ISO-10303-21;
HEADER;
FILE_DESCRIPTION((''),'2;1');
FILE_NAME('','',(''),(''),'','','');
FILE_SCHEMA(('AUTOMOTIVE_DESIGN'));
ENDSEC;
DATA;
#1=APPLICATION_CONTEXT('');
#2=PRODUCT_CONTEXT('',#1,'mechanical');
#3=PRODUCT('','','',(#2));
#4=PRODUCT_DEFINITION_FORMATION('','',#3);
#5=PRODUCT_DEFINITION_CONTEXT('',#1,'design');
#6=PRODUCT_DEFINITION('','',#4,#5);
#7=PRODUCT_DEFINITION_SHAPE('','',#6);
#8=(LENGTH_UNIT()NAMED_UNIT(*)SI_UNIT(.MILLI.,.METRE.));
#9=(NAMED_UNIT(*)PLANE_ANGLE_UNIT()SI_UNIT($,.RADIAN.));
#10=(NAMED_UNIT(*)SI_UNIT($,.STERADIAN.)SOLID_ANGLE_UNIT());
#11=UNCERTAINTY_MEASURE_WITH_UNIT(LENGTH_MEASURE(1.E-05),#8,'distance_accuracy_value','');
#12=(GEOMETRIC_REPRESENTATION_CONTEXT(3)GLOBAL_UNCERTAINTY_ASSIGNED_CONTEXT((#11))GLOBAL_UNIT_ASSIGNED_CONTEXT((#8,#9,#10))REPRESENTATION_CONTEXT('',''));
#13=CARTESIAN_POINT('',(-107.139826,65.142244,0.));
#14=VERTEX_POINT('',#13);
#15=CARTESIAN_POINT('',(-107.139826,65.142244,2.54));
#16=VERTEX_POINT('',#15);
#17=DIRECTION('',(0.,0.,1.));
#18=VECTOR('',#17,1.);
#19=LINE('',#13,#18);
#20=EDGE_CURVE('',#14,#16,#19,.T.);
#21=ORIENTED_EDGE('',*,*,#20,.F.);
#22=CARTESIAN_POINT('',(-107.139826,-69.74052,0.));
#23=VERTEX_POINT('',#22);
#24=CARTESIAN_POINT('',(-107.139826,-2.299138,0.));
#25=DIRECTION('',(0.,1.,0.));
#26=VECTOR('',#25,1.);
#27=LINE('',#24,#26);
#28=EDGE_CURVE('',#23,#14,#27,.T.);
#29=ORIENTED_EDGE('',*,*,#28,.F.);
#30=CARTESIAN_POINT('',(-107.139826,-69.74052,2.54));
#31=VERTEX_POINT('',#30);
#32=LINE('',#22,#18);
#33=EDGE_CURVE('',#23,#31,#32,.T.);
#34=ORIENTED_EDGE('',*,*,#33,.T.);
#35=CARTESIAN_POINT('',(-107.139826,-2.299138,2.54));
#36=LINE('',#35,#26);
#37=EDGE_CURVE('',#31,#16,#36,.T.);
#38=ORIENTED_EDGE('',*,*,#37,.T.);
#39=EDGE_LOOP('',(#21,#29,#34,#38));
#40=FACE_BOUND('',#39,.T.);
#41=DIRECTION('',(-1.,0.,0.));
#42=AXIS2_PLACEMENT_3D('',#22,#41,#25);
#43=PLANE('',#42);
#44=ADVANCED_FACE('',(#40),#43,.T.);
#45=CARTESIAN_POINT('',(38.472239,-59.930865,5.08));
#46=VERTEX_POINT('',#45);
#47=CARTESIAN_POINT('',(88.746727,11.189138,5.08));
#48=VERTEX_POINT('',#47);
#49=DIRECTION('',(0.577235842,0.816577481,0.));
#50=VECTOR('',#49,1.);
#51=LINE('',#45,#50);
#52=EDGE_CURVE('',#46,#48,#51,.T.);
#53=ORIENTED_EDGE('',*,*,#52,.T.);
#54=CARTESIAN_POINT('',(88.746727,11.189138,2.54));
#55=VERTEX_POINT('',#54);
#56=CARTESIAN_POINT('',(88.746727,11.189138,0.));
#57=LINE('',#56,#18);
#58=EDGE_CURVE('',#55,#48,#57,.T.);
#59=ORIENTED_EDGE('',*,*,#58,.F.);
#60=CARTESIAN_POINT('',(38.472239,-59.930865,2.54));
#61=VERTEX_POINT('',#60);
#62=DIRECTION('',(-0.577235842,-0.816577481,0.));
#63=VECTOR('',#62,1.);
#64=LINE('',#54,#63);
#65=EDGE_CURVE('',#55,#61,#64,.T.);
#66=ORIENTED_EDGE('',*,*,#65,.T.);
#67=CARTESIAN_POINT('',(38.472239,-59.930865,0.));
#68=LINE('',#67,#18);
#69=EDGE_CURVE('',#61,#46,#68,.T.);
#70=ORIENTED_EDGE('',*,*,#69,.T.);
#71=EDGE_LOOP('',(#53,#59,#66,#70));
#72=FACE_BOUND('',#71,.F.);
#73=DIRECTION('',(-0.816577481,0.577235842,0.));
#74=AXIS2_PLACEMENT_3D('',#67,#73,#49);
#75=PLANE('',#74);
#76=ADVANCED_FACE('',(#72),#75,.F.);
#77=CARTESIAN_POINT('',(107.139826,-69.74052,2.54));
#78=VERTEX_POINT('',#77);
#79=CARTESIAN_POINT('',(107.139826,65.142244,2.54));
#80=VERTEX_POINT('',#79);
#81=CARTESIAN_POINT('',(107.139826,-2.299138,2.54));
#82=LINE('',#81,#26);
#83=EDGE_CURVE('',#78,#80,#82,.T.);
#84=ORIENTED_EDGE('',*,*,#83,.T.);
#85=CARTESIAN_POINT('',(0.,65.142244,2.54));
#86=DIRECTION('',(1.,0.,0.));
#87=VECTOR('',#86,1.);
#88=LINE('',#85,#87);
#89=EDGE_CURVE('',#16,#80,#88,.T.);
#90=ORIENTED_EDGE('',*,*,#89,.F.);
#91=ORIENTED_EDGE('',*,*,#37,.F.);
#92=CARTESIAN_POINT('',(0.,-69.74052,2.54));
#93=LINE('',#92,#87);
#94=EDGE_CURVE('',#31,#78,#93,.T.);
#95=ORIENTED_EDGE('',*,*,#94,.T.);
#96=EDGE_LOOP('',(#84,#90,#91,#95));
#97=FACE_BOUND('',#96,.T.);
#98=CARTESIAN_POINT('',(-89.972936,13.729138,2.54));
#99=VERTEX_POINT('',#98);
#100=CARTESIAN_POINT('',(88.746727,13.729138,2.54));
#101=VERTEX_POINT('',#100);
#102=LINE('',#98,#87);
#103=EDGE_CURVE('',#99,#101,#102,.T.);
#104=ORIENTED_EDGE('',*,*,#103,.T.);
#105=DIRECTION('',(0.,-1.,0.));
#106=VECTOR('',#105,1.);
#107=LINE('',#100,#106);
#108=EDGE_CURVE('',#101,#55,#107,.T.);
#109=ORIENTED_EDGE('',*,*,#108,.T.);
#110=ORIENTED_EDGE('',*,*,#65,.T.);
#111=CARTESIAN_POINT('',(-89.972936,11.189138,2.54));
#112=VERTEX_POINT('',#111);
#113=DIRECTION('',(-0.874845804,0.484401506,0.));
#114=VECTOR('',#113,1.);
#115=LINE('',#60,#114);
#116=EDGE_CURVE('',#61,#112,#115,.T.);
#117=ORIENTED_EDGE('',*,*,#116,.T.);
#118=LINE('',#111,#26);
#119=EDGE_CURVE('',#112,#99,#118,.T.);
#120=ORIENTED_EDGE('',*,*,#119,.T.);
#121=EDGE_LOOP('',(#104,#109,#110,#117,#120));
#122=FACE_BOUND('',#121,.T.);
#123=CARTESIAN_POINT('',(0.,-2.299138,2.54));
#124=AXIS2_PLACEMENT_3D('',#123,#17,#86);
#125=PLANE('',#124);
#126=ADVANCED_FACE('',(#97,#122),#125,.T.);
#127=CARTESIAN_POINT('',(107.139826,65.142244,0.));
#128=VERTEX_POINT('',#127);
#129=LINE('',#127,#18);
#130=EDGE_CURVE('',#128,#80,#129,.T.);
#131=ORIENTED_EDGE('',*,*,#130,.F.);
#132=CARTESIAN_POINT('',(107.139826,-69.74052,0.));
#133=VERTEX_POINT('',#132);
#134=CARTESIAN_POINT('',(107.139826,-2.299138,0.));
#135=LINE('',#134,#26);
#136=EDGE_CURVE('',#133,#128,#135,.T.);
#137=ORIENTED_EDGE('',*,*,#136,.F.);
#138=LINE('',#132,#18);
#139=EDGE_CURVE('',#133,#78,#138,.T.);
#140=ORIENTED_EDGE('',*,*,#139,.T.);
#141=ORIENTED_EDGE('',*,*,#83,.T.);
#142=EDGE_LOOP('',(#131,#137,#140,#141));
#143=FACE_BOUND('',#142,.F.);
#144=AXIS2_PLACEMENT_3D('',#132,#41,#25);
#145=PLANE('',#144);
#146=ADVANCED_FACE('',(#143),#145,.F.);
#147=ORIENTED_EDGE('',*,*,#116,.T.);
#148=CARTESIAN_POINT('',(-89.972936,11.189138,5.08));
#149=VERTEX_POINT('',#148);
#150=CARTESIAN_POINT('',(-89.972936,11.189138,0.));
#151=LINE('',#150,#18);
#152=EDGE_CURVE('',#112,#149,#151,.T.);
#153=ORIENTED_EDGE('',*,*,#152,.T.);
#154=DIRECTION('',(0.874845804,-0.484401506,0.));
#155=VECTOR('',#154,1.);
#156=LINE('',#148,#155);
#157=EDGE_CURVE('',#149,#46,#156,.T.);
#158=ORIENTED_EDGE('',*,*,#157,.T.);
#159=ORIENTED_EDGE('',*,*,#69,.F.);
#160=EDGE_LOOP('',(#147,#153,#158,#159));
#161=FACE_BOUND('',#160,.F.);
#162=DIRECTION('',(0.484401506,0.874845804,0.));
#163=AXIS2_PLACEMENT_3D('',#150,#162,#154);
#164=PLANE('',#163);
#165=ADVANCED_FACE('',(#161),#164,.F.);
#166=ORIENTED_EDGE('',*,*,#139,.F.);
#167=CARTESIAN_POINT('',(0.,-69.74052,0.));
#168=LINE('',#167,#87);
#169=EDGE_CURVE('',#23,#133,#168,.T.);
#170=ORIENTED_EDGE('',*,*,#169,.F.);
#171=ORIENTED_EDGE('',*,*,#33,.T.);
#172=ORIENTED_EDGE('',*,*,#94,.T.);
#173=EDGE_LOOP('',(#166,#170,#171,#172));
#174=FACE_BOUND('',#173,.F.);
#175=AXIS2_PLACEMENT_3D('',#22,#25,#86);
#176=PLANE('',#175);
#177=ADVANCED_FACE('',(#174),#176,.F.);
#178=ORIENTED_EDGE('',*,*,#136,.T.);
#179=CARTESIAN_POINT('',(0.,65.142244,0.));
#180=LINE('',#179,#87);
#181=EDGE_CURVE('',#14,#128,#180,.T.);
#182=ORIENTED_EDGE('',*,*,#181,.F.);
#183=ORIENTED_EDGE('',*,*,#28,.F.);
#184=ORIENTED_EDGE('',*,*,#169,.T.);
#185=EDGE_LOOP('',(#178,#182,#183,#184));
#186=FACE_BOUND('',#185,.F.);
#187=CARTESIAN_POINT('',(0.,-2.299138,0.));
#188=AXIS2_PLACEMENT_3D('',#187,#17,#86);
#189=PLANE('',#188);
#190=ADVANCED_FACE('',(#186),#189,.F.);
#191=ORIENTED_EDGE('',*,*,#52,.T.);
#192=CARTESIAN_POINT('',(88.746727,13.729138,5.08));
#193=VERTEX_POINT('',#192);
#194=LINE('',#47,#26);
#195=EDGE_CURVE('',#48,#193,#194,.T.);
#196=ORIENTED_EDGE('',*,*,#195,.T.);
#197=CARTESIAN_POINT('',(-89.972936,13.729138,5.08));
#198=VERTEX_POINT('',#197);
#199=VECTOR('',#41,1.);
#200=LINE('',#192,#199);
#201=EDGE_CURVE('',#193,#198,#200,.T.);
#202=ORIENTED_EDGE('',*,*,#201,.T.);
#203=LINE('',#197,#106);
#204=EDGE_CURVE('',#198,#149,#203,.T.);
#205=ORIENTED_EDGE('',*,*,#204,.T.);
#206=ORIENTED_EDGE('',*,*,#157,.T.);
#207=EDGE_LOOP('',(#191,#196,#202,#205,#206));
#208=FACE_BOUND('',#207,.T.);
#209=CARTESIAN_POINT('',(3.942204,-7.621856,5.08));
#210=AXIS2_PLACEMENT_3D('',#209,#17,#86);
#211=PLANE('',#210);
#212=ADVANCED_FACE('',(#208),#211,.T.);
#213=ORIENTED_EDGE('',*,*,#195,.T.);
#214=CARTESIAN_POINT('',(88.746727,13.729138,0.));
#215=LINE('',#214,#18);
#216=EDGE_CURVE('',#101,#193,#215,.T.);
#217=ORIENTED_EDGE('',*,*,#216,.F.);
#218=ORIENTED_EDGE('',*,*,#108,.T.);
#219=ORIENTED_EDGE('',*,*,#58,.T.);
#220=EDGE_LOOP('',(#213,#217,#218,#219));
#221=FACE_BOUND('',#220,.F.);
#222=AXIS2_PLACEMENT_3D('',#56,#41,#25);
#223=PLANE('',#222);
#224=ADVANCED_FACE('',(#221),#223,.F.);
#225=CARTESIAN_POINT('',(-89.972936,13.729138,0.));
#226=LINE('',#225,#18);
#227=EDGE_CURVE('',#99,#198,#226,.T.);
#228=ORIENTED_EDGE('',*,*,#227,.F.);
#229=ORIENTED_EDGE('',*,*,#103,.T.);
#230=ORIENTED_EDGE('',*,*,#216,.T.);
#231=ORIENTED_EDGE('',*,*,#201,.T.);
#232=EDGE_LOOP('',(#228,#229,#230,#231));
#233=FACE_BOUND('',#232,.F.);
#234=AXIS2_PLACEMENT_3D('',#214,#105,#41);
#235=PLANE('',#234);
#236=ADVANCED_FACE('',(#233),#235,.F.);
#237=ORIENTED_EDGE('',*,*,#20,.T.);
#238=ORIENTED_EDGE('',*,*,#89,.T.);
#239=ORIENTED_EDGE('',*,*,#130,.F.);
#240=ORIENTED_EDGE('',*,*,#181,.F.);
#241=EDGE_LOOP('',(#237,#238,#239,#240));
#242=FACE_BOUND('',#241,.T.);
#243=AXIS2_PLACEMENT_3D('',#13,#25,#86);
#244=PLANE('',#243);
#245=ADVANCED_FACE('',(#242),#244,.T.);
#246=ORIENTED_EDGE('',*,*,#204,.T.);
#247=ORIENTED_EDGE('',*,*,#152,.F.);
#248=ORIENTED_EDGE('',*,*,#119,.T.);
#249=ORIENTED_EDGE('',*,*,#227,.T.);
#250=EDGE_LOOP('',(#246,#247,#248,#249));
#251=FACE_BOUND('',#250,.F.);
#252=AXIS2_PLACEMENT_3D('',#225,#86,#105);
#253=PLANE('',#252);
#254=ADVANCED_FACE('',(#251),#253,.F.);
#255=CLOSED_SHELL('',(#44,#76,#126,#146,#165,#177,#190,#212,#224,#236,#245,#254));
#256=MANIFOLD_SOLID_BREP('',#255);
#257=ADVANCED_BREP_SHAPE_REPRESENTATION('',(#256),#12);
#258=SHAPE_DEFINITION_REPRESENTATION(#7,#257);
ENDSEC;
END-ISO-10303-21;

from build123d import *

# Parameters (mm, degrees)
F0_W     = 214.279652
F0_H     = 134.882764
F1_DEPTH = 2.54
F2_DEPTH = 5.08


with BuildPart() as f1:
    # F0 (on Top) → F1 (new body)
    with BuildSketch(Plane.XY):
        with Locations((0, -2.299138)):
            Rectangle(F0_W, F0_H)
        Polygon((88.746727, 13.729138), (88.746727, 11.189138), (38.472239, -59.930865), (-89.972936, 11.189138), (-89.972936, 13.729138), align=None, mode=Mode.SUBTRACT)
    extrude(amount=F1_DEPTH)

    # F0 (on Top) → F2 (join)
    with BuildSketch(Plane.XY):
        Polygon((38.472239, -59.930865), (88.746727, 11.189138), (88.746727, 13.729138), (-89.972936, 13.729138), (-89.972936, 11.189138), align=None)
    extrude(amount=F2_DEPTH)


solid = f1.part
